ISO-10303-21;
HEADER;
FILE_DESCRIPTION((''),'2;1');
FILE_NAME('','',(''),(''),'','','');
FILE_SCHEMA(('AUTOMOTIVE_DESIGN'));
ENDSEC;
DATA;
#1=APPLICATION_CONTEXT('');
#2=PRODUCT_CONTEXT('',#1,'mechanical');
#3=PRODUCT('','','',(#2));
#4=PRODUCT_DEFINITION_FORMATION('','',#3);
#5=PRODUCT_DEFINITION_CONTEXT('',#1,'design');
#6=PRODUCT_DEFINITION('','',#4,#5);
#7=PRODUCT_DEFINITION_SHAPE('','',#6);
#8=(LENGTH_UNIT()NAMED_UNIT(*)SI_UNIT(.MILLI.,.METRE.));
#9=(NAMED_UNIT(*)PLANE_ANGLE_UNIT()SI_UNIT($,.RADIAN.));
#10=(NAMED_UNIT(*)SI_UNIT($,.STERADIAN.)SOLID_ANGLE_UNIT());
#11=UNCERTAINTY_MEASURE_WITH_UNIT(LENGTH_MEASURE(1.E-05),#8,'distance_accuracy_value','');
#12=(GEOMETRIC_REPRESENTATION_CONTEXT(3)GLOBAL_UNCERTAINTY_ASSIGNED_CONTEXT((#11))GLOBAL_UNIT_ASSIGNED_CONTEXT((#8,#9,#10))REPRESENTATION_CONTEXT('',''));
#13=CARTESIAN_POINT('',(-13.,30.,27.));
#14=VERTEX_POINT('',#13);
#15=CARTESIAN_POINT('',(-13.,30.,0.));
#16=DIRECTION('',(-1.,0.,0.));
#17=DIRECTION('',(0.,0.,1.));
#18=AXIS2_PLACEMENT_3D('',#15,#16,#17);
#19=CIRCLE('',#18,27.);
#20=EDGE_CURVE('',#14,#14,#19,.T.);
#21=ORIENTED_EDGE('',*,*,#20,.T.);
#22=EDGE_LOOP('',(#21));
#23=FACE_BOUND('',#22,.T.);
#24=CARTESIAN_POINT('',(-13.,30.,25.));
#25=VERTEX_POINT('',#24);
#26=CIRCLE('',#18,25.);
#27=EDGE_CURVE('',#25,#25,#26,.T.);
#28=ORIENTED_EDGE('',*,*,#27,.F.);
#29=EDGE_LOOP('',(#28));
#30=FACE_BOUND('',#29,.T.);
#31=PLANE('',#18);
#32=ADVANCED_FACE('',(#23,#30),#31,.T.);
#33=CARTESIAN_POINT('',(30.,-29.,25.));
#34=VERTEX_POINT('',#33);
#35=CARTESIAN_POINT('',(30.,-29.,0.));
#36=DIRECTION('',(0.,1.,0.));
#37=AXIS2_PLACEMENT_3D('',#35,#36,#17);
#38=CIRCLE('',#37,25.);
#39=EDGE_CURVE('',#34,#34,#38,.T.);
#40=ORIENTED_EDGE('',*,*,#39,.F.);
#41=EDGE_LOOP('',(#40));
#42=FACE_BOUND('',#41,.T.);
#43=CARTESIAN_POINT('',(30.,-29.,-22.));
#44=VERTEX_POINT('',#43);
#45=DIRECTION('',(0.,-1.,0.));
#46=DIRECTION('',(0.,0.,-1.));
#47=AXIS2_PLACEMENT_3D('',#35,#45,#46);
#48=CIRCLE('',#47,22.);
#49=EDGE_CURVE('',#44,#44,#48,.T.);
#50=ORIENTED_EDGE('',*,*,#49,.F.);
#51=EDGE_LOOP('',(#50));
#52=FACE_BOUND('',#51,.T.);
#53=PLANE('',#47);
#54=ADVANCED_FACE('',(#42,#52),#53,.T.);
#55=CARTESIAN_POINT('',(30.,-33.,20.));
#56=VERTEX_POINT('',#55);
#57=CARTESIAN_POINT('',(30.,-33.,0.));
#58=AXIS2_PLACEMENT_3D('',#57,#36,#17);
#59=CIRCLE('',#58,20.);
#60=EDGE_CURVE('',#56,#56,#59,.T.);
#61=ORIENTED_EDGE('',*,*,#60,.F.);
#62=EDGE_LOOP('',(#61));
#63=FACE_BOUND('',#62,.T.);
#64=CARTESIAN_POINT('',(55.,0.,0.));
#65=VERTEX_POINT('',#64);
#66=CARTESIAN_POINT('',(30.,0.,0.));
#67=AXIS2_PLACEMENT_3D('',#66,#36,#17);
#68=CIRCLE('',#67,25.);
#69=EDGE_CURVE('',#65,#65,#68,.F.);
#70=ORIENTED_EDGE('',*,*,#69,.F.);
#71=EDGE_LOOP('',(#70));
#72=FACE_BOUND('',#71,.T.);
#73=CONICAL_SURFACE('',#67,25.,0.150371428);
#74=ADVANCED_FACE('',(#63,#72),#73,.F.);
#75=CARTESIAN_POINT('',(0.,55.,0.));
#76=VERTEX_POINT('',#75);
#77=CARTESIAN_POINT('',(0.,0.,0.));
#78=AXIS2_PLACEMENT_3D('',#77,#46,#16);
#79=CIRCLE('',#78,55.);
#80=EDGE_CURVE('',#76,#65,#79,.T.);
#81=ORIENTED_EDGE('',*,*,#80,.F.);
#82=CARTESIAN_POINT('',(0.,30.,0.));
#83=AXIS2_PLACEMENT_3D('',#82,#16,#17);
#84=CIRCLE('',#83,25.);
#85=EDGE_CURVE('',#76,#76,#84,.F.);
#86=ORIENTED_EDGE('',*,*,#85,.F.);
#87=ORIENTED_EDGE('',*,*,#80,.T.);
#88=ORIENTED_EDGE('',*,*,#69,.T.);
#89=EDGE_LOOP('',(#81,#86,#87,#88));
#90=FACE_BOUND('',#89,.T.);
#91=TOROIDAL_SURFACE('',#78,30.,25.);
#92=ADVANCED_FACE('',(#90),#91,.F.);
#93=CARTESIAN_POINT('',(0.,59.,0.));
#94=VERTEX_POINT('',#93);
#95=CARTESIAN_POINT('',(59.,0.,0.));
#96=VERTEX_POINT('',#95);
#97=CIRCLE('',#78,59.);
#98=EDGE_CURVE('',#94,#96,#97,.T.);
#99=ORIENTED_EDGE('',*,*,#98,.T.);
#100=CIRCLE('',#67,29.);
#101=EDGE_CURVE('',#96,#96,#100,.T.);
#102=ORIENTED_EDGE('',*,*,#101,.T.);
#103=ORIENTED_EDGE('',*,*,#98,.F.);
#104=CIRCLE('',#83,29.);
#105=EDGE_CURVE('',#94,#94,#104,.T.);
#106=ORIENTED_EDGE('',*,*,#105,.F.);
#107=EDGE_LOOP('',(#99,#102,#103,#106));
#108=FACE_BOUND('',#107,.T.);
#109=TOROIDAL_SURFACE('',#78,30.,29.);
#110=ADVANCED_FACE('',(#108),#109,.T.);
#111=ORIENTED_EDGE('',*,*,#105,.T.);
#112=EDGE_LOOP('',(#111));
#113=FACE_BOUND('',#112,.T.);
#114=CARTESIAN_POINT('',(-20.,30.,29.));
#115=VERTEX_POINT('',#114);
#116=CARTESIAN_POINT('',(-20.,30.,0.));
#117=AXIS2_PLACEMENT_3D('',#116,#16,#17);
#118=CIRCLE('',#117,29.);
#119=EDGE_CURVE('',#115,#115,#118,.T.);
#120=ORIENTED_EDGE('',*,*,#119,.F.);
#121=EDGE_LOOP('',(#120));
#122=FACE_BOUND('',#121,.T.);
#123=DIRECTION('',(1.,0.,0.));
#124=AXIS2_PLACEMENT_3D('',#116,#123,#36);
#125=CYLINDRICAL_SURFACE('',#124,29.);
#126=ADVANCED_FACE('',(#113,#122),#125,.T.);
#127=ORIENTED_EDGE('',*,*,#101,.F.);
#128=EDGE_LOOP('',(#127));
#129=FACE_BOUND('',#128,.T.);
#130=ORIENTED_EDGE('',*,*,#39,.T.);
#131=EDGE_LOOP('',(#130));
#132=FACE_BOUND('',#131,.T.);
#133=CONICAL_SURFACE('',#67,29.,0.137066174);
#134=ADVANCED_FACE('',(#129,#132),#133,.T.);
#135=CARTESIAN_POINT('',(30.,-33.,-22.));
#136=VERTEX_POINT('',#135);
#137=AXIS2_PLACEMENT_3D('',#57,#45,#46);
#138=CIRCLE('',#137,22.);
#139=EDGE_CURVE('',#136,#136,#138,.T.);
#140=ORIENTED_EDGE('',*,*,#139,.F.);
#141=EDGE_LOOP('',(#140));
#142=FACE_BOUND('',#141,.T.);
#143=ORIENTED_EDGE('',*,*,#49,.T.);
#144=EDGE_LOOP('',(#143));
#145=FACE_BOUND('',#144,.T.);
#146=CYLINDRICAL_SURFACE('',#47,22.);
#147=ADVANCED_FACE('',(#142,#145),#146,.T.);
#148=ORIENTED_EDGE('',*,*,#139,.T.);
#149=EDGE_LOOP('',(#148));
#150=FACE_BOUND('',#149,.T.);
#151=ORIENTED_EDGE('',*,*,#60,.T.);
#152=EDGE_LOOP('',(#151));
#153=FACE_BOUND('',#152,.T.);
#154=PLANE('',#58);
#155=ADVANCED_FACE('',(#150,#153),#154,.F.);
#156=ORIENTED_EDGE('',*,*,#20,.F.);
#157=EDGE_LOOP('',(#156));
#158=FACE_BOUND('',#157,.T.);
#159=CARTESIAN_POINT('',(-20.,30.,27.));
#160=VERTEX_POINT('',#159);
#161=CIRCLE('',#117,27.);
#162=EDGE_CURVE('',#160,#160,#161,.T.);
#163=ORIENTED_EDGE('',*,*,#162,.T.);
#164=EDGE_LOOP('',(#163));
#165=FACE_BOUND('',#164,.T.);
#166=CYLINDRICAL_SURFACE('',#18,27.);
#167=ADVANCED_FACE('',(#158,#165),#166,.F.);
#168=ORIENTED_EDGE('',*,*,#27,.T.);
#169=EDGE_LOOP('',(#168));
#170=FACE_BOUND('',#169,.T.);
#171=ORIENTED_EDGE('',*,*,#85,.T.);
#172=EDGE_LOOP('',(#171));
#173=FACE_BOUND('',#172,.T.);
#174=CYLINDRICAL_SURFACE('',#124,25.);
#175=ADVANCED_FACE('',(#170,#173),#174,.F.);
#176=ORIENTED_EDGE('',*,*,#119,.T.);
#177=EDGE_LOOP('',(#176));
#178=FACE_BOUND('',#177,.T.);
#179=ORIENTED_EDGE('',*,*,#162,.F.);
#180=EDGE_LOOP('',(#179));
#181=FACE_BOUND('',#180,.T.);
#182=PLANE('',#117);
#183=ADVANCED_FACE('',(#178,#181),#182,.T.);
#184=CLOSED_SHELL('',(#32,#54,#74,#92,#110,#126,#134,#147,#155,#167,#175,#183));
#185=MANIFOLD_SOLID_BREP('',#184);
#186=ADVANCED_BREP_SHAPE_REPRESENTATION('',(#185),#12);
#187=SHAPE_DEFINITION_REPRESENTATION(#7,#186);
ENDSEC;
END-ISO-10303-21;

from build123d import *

# Parameters (mm, degrees)
SKETCH2_R          = 29
SKETCH2_R_2        = 25
SKETCH3_R          = 27
SKETCH3_R_2        = 25
CUT_EXTRUDE1_DEPTH = 7
SKETCH8_R          = 29
SKETCH8_R_2        = 22
CUT_EXTRUDE3_DEPTH = 4


with BuildPart() as part:
    # Sweep1: sweep along a path in Sketch1
    with BuildLine(Plane.XY) as sweep1_path:
        Line((-20, 30), (0, 30))
        ThreePointArc((0, 30), (21.213203436, 21.213203436), (30, 0))
        Line((30, 0), (30, -33))
    # Sketch2 → Sweep1 (sweep)
    with BuildSketch(Plane(origin=(0, -33, 0), x_dir=(1, 0, 0), z_dir=(0, 1, 0))):
        with Locations((30, 0)):
            Circle(SKETCH2_R)
        with Locations((30, 0)):
            Circle(SKETCH2_R_2, mode=Mode.SUBTRACT)
    sweep(path=sweep1_path.line)

    # Sketch3 → Cut-Extrude1 (cut)
    with BuildSketch(Plane.ZY.offset(20)):
        with Locations((0, 30)):
            Circle(SKETCH3_R)
        with Locations((0, 30)):
            Circle(SKETCH3_R_2, mode=Mode.SUBTRACT)
    extrude(amount=-CUT_EXTRUDE1_DEPTH, mode=Mode.SUBTRACT)

    # Sketch7 → Revolve2 (revolve)
    with BuildSketch(Plane(origin=(30, 0, 0), x_dir=(0, 0, -1), z_dir=(1, 0, 0))):
        Polygon((25, 0), (20, -33), (25, -33), align=None)
    revolve(axis=Axis((30, 0, 0), (0, -1, 0)))

    # Sketch8 → Cut-Extrude3 (cut)
    with BuildSketch(Plane.XZ.offset(33)):
        with Locations((30, 0)):
            Circle(SKETCH8_R)
        with Locations((30, 0)):
            Circle(SKETCH8_R_2, mode=Mode.SUBTRACT)
    extrude(amount=-CUT_EXTRUDE3_DEPTH, mode=Mode.SUBTRACT)

    # Sketch10 → Cut-Revolve2 (revolve, cut)
    with BuildSketch(Plane(origin=(30, 0, 0), x_dir=(0, 0, -1), z_dir=(1, 0, 0))):
        Polygon((29, 0), (25, -29), (29, -29), align=None)
    revolve(axis=Axis((30, 0, 0), (0, -1, 0)), mode=Mode.SUBTRACT)


solid = part.part
